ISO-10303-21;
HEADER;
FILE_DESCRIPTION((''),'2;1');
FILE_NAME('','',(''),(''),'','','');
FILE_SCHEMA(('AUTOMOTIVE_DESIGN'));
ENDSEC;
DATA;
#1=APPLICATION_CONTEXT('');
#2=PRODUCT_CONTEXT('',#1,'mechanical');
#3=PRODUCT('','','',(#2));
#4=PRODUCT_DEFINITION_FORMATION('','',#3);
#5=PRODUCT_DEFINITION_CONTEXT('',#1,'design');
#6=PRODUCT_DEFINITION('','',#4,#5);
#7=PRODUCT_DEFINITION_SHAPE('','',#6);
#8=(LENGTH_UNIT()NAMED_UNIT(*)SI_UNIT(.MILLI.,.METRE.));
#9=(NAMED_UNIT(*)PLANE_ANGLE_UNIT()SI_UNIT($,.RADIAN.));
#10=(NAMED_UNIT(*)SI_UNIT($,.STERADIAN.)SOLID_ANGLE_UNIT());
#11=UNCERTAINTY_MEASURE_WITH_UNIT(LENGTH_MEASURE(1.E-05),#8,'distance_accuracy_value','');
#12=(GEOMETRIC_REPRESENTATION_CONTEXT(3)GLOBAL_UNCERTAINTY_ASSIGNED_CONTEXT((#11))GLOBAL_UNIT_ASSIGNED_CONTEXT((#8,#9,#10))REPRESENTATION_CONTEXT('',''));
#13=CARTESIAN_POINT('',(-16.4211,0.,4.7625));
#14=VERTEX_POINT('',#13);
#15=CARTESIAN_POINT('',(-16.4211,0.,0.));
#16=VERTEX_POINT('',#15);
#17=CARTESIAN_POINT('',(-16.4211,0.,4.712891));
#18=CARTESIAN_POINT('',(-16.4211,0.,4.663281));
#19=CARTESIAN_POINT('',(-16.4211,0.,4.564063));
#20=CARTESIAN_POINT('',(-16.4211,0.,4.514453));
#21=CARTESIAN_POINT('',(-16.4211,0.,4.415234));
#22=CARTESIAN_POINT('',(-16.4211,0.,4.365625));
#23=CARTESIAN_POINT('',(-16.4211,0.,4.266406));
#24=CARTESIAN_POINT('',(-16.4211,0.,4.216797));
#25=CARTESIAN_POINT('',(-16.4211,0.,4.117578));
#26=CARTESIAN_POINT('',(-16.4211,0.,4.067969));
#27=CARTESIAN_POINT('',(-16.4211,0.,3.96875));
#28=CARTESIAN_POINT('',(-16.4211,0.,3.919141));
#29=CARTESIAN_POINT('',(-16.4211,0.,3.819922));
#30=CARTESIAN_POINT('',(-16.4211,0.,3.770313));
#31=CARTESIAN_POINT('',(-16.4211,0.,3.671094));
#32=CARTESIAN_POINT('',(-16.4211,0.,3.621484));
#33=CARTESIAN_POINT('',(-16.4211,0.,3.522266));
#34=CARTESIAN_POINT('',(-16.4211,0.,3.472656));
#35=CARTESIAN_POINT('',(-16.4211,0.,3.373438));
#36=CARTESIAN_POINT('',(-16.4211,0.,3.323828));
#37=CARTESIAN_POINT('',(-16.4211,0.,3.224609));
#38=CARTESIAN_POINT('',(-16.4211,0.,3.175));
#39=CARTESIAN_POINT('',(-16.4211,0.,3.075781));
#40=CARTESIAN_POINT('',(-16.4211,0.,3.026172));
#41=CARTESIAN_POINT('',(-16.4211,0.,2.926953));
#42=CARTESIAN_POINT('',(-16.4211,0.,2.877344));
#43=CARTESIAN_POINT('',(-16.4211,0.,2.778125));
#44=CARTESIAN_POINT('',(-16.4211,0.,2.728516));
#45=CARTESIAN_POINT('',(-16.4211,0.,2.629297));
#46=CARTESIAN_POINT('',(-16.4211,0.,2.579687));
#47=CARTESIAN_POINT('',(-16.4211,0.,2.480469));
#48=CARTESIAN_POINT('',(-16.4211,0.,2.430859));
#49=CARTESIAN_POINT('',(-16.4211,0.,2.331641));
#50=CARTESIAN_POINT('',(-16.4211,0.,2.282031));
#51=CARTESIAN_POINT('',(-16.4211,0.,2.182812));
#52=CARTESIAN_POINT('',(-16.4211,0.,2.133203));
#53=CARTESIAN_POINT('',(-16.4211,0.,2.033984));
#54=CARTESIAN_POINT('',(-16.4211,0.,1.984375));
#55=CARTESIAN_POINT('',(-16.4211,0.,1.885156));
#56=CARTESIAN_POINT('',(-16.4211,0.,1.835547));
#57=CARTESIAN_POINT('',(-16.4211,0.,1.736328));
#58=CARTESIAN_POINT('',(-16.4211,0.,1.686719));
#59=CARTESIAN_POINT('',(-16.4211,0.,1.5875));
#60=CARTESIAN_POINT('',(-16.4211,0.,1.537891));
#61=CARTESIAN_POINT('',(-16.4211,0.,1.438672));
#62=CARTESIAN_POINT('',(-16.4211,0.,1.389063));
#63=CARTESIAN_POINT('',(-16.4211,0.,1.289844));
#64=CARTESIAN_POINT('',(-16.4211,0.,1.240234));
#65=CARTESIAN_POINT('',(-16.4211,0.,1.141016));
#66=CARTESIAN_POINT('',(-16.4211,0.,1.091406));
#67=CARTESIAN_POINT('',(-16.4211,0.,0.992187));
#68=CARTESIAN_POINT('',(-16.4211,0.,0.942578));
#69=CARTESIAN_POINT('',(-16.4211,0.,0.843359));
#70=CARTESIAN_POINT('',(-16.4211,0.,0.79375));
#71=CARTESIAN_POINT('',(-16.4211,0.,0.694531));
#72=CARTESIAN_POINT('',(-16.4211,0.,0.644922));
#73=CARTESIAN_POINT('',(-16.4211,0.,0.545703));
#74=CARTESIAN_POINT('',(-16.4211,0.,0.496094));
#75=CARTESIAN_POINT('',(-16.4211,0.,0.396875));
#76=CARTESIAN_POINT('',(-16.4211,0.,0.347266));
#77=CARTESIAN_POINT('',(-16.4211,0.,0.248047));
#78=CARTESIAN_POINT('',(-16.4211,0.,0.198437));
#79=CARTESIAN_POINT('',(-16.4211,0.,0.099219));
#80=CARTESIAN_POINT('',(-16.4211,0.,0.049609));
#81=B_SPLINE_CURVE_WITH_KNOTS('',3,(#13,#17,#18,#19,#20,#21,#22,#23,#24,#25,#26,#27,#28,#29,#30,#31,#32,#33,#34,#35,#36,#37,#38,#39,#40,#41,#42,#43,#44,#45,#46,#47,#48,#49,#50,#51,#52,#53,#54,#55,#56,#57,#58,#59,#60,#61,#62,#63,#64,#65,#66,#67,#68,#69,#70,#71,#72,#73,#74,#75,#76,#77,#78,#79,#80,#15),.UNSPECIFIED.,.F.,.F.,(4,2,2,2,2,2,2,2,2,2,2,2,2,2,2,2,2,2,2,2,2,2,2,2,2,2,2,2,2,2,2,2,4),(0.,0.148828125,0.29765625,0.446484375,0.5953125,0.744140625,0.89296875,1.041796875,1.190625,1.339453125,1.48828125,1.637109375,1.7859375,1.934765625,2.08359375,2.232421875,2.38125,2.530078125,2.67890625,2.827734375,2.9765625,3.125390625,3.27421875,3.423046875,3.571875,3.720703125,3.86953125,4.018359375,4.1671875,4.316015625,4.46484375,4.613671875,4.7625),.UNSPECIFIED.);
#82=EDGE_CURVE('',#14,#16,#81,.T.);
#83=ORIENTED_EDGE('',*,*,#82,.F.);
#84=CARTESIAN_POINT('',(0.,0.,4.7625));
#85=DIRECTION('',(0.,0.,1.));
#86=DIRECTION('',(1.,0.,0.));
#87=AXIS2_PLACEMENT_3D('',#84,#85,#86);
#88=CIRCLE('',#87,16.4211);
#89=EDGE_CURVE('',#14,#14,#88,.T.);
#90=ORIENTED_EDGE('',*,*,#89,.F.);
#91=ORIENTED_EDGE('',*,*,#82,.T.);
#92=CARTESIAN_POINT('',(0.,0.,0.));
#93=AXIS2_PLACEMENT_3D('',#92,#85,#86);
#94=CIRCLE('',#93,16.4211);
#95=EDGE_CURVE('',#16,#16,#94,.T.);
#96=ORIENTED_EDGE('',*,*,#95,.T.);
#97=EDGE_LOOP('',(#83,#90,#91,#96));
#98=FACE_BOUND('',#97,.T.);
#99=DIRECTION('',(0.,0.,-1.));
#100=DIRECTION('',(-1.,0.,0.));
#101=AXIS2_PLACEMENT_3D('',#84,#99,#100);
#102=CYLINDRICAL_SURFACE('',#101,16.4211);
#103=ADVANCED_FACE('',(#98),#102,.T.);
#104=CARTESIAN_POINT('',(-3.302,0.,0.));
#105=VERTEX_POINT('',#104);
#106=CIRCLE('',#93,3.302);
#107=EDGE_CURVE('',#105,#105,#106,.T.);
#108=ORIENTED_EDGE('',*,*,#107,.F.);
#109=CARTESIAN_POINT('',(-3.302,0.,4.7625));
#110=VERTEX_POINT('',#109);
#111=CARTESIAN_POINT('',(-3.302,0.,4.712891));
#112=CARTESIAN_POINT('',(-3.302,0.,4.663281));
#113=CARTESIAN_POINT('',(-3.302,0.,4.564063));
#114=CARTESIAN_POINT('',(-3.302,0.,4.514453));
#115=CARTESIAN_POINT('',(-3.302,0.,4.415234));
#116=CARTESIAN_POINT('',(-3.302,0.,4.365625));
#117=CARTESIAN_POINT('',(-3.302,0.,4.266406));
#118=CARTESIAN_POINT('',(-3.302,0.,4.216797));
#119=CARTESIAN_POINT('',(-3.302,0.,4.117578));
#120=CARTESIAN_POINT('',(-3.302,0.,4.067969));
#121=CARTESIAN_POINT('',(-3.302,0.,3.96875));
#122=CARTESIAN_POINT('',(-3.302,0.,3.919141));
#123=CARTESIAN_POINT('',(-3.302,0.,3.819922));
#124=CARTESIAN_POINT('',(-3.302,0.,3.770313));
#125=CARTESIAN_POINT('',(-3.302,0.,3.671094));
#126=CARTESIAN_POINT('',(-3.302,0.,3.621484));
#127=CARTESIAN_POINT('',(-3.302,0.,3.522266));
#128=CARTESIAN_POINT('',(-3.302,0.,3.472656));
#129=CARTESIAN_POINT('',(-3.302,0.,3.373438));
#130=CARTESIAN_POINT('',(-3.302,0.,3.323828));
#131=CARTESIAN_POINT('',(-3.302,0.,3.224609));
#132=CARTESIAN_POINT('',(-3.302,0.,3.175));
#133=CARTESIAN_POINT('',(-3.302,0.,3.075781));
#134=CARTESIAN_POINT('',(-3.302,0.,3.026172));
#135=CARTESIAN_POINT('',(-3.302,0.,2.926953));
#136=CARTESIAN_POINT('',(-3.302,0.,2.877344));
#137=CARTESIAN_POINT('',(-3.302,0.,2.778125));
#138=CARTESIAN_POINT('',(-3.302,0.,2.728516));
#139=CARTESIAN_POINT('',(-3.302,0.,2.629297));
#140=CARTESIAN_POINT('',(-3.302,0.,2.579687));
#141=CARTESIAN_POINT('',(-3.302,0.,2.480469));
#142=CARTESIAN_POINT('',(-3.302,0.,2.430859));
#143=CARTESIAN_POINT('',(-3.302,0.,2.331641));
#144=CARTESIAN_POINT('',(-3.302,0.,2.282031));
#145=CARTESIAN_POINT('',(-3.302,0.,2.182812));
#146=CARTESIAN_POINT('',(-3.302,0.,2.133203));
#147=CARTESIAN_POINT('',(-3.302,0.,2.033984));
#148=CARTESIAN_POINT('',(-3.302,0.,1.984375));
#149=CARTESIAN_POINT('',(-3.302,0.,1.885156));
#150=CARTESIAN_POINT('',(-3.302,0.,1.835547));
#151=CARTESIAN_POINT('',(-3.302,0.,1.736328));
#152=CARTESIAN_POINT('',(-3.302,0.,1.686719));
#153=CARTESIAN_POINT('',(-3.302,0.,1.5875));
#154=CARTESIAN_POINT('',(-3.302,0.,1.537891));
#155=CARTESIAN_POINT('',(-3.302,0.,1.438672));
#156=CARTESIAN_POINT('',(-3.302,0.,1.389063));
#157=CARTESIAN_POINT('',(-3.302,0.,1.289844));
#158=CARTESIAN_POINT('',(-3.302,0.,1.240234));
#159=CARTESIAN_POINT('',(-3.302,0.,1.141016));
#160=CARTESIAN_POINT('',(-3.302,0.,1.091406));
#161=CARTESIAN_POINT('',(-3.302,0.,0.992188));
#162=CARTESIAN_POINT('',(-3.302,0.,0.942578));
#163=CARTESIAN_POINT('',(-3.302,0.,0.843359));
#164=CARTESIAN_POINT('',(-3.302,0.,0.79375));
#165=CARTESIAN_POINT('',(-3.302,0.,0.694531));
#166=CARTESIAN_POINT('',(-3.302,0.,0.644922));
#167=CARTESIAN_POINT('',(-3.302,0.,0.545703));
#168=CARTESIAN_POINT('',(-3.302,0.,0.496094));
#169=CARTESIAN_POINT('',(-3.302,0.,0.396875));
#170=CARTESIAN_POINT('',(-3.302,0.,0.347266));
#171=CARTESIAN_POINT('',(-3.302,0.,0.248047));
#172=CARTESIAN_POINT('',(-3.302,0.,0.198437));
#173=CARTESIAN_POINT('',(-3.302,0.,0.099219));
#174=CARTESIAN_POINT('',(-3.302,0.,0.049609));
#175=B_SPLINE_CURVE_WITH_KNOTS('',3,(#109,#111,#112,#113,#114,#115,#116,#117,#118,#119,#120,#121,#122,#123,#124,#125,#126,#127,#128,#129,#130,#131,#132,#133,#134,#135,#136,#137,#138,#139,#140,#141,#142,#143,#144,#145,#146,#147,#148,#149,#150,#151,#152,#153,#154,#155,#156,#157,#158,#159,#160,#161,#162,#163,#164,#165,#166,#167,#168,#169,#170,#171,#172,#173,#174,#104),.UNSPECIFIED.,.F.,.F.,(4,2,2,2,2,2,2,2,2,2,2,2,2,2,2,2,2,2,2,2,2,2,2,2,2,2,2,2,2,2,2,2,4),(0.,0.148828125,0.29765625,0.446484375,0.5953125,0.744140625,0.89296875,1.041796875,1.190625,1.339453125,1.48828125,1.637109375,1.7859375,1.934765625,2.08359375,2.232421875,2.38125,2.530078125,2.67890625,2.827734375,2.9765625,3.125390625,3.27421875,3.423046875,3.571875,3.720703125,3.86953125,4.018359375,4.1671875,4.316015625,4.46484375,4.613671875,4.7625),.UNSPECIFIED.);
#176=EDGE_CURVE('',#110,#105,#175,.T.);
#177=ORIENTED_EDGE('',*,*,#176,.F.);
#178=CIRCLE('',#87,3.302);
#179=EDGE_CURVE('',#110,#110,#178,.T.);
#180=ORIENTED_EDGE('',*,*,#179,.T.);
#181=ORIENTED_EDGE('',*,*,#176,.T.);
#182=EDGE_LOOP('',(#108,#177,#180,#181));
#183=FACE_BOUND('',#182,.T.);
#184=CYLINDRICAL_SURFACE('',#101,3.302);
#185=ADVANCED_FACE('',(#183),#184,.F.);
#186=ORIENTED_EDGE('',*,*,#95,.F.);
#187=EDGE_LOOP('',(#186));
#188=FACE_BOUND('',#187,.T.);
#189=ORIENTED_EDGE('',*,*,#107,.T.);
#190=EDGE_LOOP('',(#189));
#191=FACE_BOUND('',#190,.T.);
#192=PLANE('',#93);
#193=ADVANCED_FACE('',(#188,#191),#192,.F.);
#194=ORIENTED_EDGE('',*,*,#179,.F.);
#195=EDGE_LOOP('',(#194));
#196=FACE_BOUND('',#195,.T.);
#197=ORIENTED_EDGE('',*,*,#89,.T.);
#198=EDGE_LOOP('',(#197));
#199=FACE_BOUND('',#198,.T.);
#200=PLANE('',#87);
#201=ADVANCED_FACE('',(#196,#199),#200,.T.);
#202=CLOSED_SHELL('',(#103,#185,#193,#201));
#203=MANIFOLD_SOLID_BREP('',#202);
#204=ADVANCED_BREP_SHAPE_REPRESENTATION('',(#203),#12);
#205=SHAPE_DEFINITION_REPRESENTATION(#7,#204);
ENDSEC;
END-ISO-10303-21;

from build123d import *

# Parameters (mm, degrees)
SKETCH1_R           = 16.4211
SKETCH1_R_2         = 3.302
BOSS_EXTRUDE1_DEPTH = 4.7625


with BuildPart() as part:
    # Sketch1 → Boss-Extrude1 (new body)
    with BuildSketch(Plane.XY):
        with Locations(Location((0, 0, 0), (0, 0, 180))):
            Circle(SKETCH1_R)
        with Locations(Location((0, 0, 0), (0, 0, 180))):
            Circle(SKETCH1_R_2, mode=Mode.SUBTRACT)
    extrude(amount=BOSS_EXTRUDE1_DEPTH)


solid = part.part
